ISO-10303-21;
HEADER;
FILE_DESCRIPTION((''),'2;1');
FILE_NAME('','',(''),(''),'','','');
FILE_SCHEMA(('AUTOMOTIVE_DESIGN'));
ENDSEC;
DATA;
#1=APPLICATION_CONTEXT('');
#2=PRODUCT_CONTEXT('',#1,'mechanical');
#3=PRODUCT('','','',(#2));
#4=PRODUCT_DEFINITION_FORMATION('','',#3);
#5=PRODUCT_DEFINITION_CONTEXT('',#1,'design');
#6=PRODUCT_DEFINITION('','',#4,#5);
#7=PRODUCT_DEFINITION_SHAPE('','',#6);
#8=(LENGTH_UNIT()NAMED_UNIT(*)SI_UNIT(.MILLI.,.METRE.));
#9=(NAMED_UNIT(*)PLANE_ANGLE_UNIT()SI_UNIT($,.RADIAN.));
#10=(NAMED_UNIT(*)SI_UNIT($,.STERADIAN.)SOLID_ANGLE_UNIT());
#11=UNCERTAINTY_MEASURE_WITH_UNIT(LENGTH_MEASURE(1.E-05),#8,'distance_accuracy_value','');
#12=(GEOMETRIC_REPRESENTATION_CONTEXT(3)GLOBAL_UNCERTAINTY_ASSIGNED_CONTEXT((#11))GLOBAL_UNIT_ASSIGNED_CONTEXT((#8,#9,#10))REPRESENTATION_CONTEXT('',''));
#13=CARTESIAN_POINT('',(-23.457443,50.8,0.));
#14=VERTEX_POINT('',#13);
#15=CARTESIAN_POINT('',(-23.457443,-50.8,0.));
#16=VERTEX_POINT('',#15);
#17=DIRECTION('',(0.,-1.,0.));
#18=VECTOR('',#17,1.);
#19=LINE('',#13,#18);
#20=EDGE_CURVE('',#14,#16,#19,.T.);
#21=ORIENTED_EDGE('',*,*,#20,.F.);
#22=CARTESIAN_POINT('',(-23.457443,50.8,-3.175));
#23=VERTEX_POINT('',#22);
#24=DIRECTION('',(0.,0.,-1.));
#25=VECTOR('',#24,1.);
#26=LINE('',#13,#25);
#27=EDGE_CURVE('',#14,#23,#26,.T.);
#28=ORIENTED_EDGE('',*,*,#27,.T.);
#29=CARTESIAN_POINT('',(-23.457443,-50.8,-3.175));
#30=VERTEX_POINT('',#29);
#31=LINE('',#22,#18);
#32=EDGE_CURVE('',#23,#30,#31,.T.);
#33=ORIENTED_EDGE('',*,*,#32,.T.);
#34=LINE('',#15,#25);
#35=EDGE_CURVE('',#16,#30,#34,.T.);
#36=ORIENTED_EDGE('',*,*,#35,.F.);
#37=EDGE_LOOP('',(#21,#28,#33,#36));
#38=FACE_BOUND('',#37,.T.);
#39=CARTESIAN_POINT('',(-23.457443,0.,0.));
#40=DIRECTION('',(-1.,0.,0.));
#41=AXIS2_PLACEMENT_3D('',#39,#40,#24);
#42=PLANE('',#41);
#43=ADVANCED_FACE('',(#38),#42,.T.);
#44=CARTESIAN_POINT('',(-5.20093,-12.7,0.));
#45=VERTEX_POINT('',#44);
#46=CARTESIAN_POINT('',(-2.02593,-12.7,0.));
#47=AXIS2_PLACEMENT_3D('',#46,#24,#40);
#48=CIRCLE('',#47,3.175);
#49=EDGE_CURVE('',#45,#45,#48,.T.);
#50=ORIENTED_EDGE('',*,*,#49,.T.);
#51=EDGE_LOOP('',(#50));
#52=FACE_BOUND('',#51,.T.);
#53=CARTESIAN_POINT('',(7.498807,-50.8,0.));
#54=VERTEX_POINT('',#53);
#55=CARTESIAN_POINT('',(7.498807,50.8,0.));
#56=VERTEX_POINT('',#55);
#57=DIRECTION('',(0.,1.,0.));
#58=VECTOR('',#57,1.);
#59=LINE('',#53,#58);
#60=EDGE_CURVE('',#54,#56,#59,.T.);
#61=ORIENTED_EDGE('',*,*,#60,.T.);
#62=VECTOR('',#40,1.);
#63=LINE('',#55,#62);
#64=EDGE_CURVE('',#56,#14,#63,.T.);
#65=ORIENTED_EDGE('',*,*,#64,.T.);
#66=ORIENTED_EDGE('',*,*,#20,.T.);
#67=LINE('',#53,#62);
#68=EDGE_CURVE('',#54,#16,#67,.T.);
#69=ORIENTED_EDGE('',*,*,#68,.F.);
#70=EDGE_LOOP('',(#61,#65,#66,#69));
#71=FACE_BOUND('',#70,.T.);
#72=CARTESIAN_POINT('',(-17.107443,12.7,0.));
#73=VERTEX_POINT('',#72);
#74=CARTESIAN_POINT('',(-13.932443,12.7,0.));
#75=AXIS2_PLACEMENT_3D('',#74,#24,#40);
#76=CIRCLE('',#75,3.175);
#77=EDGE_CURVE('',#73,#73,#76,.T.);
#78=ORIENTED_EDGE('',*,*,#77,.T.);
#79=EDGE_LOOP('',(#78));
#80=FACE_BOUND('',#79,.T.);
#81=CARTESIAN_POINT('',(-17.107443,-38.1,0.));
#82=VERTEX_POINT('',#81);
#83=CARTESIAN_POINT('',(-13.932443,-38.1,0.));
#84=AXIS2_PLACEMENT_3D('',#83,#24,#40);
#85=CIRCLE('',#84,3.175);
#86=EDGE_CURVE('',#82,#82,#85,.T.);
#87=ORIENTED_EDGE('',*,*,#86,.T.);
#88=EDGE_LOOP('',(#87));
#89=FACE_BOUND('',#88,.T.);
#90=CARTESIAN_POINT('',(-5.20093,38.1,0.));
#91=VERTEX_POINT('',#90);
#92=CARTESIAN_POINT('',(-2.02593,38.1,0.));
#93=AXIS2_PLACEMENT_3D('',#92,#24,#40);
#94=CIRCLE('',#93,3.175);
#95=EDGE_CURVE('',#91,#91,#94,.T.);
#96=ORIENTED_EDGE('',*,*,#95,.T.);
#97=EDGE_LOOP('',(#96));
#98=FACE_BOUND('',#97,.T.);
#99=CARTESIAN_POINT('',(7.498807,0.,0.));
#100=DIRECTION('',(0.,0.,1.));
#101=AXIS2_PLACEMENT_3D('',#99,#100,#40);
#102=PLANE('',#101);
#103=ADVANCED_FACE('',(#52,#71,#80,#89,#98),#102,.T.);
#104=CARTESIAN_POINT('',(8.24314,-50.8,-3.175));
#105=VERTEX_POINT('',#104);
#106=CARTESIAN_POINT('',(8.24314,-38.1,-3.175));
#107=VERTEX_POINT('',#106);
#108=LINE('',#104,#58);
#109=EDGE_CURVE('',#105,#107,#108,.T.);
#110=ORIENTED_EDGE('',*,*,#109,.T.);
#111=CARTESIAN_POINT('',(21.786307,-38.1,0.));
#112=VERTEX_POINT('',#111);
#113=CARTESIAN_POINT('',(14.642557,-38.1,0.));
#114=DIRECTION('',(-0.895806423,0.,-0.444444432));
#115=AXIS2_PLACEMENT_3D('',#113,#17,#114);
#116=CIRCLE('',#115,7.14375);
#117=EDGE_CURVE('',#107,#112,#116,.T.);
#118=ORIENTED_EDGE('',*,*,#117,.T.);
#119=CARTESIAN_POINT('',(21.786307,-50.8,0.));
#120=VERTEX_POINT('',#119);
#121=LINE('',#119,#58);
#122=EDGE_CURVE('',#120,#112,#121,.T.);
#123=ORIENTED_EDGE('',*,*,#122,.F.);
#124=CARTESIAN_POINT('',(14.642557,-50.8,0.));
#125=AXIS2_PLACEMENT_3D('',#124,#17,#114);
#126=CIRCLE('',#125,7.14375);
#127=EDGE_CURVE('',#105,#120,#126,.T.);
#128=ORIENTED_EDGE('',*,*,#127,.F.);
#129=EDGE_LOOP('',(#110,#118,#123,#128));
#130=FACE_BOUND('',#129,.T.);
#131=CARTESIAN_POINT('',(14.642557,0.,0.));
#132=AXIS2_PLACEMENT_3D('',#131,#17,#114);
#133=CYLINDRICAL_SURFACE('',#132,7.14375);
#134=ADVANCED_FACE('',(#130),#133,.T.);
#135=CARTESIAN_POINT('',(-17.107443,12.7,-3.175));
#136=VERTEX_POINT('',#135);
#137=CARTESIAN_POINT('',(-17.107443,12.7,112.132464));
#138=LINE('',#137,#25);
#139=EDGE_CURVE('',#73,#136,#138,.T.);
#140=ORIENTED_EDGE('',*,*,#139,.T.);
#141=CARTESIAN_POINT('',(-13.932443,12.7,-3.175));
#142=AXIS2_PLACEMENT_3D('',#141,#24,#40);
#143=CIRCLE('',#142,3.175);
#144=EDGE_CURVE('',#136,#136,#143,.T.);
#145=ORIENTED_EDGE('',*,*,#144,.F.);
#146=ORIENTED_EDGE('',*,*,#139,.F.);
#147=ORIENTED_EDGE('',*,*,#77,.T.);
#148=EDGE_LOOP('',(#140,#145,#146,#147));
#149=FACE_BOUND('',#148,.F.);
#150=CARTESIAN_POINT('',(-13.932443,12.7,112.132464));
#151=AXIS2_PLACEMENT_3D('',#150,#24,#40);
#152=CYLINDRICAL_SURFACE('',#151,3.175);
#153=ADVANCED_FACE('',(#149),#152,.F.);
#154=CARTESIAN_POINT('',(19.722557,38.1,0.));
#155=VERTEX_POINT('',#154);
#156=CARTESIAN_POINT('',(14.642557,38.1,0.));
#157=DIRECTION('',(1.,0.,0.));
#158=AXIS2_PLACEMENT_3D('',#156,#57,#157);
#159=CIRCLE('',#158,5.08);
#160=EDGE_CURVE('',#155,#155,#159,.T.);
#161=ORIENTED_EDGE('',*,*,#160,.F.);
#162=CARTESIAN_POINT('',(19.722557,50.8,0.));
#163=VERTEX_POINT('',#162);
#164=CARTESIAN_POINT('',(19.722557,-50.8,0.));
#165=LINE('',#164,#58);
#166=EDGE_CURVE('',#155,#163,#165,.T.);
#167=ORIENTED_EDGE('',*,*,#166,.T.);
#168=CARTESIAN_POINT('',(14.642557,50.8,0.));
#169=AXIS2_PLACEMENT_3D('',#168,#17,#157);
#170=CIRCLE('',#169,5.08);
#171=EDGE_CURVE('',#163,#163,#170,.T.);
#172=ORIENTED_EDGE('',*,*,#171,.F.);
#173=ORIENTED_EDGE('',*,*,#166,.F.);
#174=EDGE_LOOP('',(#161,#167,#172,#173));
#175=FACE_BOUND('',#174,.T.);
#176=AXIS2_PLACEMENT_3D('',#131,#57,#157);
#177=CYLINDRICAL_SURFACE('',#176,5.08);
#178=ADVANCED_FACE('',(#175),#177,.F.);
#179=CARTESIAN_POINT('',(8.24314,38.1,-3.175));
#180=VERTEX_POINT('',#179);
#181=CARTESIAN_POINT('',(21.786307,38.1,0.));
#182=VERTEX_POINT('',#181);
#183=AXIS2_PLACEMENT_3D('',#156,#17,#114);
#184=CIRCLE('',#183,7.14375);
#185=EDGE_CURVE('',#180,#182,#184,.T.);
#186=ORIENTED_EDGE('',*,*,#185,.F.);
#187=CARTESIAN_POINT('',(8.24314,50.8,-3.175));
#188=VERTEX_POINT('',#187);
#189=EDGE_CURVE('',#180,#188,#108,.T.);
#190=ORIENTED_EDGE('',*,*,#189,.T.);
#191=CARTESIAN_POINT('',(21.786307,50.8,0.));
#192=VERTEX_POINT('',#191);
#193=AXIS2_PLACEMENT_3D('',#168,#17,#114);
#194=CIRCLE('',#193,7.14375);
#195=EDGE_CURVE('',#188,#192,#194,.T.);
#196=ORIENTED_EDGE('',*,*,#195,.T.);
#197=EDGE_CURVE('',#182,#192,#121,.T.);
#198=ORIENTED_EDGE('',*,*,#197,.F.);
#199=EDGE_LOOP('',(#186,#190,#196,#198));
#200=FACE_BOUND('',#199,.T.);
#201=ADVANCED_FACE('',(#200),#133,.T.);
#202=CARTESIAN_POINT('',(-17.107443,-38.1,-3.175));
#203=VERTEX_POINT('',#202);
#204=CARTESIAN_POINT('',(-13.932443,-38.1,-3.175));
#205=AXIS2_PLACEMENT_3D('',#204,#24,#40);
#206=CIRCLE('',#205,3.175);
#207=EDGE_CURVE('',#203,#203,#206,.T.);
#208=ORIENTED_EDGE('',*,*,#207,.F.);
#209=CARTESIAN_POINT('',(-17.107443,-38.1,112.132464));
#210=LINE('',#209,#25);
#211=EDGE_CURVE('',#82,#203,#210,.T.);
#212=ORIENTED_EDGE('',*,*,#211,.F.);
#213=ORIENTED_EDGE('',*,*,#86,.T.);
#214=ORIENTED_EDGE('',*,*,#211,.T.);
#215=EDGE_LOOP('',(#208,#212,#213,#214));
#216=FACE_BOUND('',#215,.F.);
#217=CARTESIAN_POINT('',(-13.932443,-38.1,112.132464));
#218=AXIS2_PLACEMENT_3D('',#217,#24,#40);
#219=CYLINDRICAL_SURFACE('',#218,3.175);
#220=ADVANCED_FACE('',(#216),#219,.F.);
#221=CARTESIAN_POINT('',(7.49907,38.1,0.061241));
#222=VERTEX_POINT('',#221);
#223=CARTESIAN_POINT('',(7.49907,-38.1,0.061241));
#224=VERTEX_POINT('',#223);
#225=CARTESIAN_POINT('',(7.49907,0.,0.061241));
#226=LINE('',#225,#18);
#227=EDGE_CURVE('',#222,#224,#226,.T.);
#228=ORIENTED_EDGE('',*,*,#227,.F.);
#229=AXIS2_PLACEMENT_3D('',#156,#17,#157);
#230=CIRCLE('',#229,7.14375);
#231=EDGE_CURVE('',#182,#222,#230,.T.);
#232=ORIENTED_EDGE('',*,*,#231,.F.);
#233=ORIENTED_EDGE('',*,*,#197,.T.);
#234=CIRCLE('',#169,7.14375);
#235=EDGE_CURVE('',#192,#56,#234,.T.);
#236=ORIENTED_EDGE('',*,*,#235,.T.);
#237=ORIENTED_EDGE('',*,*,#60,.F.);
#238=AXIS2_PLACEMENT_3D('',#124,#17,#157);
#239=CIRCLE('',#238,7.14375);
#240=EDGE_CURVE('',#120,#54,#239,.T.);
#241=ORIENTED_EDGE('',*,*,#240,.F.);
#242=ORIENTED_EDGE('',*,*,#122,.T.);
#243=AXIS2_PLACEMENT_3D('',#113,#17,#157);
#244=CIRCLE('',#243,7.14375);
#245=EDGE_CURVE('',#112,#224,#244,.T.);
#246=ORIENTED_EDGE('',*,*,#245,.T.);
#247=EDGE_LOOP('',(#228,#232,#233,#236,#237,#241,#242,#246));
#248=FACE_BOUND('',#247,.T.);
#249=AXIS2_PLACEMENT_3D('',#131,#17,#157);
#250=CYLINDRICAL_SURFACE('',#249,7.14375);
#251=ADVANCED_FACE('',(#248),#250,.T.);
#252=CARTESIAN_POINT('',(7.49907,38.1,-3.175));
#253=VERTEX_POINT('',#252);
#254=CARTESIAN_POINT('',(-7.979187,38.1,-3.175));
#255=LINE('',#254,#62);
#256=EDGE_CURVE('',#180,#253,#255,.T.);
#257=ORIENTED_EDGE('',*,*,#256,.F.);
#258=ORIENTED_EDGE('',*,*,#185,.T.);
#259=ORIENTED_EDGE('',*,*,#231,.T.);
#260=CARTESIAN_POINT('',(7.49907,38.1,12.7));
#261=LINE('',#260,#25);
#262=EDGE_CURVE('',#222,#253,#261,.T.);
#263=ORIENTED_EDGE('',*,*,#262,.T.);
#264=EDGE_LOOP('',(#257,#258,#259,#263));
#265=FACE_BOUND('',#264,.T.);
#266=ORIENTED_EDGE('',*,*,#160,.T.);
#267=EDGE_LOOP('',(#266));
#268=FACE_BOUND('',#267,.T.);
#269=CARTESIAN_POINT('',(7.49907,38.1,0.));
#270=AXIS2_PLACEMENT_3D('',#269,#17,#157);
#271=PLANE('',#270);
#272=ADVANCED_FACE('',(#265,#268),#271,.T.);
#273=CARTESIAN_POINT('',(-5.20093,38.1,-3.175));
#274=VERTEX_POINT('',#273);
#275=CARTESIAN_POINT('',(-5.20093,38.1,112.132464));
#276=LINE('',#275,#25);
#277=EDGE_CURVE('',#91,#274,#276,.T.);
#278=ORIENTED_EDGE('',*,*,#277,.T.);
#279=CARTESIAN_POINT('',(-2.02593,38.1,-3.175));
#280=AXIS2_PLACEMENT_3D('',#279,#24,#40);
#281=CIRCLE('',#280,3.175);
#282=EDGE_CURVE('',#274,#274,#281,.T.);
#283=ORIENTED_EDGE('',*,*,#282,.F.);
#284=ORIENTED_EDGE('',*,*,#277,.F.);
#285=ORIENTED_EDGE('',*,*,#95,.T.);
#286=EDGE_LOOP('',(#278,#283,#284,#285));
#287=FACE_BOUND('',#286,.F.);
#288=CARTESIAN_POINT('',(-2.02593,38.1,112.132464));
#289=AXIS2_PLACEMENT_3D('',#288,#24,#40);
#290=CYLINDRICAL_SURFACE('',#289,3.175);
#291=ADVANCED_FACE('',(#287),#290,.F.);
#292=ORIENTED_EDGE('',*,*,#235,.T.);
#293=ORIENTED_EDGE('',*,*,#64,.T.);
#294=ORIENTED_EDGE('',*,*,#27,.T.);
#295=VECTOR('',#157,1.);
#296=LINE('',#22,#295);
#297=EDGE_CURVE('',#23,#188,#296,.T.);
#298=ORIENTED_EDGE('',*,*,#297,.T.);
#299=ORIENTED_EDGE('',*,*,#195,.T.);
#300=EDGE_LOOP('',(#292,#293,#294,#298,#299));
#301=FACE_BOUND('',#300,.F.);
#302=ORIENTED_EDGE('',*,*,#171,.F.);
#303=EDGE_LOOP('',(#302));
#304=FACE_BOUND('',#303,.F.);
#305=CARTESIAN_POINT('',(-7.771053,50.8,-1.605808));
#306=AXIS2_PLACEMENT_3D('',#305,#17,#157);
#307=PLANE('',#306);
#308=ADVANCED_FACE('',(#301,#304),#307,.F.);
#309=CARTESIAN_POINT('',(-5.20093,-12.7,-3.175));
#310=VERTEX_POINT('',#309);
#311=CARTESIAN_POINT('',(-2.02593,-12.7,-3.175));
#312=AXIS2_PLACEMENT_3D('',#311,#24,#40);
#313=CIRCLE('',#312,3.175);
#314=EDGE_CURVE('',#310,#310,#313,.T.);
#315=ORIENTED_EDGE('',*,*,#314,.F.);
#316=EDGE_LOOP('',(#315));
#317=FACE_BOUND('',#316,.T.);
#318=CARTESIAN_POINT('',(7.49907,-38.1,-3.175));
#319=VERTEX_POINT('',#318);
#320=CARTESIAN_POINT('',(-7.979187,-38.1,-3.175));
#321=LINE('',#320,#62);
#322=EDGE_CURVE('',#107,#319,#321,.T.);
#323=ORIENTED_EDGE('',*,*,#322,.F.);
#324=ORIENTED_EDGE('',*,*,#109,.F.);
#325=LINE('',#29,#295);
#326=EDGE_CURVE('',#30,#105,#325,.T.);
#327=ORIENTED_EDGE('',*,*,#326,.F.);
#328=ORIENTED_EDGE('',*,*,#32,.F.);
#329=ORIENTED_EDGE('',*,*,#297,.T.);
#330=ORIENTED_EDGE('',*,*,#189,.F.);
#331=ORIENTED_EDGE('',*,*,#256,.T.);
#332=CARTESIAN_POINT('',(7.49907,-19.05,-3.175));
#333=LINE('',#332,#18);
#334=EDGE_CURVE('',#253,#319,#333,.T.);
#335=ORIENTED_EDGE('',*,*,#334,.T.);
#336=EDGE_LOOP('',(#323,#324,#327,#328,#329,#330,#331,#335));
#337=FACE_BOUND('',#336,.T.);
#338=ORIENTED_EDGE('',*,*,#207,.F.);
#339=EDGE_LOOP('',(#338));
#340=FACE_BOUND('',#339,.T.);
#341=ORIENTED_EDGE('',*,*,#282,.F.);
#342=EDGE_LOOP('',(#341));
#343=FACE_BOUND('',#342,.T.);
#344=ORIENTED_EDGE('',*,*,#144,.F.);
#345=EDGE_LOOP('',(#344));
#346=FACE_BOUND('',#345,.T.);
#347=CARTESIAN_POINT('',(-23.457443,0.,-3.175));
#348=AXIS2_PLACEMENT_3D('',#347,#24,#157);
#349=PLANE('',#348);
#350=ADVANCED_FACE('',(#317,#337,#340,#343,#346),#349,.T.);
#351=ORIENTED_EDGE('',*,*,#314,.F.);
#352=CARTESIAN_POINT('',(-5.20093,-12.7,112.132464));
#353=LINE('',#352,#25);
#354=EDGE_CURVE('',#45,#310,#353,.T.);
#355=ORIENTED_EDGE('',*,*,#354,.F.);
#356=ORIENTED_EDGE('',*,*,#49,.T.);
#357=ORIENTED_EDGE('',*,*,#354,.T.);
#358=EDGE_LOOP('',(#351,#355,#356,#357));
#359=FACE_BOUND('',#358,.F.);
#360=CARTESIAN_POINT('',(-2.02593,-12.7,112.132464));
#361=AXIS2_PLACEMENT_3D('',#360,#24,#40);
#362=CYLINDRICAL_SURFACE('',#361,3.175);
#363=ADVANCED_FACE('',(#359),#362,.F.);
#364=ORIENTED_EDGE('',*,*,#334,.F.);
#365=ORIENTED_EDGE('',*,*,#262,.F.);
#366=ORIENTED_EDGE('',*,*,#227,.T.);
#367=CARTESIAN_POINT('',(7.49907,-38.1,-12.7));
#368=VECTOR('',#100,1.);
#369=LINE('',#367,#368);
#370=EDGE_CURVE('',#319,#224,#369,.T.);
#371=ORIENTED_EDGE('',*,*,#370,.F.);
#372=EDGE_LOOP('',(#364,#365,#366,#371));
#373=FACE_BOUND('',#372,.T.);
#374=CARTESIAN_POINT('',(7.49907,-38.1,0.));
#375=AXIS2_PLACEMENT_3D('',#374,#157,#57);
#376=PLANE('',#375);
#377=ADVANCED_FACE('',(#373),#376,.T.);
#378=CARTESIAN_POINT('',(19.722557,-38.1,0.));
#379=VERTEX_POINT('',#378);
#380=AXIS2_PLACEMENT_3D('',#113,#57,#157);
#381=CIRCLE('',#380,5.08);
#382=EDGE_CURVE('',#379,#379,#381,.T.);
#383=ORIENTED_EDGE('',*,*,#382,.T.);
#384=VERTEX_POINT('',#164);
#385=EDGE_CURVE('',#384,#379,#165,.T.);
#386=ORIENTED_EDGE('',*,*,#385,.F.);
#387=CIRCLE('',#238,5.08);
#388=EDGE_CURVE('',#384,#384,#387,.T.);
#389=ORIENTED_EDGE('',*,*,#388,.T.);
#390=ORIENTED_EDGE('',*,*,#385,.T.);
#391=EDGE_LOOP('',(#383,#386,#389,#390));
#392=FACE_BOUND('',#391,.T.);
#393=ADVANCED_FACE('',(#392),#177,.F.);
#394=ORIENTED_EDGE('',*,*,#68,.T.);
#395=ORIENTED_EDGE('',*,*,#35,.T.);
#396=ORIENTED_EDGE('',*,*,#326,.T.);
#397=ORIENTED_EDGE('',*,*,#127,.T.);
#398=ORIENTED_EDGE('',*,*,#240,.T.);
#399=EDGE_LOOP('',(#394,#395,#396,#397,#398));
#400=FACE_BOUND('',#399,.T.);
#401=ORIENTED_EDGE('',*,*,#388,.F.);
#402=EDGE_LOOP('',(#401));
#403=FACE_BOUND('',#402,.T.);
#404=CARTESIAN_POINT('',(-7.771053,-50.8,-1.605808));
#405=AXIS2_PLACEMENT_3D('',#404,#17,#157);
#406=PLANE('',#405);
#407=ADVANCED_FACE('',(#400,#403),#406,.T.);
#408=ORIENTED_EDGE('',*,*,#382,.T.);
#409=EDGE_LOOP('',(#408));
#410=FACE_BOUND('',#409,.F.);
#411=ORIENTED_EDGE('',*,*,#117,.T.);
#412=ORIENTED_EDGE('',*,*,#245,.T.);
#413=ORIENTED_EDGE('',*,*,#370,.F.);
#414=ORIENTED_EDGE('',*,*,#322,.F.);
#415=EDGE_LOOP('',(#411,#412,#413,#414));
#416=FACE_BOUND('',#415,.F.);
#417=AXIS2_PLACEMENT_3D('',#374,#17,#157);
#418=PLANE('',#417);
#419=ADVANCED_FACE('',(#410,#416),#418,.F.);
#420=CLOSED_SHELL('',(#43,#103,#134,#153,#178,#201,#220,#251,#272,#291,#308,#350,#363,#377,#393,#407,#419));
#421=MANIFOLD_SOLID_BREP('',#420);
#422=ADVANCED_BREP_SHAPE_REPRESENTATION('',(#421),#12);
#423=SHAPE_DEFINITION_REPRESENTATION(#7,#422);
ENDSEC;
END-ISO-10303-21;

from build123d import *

# Parameters (mm, degrees)
F0_R     = 5.08
F1_DEPTH = 50.8
F2_W     = 15.457089
F2_H     = 76.2
F3_DEPTH = 12.7
F5_D     = 6.35


with BuildPart() as f1:
    # F0 (on Front) → F1 (new body, symmetric)
    with BuildSketch(Plane.XZ):
        with BuildLine():
            ThreePointArc((8.24314, -3.175), (7.687379, -1.630541), (7.498807, 0))
            Line((7.498807, 0), (-23.457443, 0))
            Line((-23.457443, 0), (-23.457443, -3.175))
            Line((-23.457443, -3.175), (8.24314, -3.175))
        make_face()
        with BuildLine():
            ThreePointArc((8.24314, -3.175), (16.273098, -6.955178), (21.786307, 0))
            ThreePointArc((21.786307, 0), (14.642557, 7.14375), (7.498807, 0))
            ThreePointArc((7.498807, 0), (7.687379, -1.630541), (8.24314, -3.175))
        make_face()
        with Locations((14.642557, 0)):
            Circle(F0_R, mode=Mode.SUBTRACT)
    extrude(amount=F1_DEPTH, both=True)

    # F2 (on Top) → F3 (cut, symmetric)
    with BuildSketch(Plane.XY):
        with Locations((15.227614, 0)):
            Rectangle(F2_W, F2_H)
    extrude(amount=F3_DEPTH, both=True, mode=Mode.SUBTRACT)

    # F5 (through all)
    with Locations(Plane.XY):
        with Locations((-2.02593, 38.1), (-13.932443, 12.7), (-2.02593, -12.7), (-13.932443, -38.1)):
            Hole(F5_D / 2)


solid = f1.part
